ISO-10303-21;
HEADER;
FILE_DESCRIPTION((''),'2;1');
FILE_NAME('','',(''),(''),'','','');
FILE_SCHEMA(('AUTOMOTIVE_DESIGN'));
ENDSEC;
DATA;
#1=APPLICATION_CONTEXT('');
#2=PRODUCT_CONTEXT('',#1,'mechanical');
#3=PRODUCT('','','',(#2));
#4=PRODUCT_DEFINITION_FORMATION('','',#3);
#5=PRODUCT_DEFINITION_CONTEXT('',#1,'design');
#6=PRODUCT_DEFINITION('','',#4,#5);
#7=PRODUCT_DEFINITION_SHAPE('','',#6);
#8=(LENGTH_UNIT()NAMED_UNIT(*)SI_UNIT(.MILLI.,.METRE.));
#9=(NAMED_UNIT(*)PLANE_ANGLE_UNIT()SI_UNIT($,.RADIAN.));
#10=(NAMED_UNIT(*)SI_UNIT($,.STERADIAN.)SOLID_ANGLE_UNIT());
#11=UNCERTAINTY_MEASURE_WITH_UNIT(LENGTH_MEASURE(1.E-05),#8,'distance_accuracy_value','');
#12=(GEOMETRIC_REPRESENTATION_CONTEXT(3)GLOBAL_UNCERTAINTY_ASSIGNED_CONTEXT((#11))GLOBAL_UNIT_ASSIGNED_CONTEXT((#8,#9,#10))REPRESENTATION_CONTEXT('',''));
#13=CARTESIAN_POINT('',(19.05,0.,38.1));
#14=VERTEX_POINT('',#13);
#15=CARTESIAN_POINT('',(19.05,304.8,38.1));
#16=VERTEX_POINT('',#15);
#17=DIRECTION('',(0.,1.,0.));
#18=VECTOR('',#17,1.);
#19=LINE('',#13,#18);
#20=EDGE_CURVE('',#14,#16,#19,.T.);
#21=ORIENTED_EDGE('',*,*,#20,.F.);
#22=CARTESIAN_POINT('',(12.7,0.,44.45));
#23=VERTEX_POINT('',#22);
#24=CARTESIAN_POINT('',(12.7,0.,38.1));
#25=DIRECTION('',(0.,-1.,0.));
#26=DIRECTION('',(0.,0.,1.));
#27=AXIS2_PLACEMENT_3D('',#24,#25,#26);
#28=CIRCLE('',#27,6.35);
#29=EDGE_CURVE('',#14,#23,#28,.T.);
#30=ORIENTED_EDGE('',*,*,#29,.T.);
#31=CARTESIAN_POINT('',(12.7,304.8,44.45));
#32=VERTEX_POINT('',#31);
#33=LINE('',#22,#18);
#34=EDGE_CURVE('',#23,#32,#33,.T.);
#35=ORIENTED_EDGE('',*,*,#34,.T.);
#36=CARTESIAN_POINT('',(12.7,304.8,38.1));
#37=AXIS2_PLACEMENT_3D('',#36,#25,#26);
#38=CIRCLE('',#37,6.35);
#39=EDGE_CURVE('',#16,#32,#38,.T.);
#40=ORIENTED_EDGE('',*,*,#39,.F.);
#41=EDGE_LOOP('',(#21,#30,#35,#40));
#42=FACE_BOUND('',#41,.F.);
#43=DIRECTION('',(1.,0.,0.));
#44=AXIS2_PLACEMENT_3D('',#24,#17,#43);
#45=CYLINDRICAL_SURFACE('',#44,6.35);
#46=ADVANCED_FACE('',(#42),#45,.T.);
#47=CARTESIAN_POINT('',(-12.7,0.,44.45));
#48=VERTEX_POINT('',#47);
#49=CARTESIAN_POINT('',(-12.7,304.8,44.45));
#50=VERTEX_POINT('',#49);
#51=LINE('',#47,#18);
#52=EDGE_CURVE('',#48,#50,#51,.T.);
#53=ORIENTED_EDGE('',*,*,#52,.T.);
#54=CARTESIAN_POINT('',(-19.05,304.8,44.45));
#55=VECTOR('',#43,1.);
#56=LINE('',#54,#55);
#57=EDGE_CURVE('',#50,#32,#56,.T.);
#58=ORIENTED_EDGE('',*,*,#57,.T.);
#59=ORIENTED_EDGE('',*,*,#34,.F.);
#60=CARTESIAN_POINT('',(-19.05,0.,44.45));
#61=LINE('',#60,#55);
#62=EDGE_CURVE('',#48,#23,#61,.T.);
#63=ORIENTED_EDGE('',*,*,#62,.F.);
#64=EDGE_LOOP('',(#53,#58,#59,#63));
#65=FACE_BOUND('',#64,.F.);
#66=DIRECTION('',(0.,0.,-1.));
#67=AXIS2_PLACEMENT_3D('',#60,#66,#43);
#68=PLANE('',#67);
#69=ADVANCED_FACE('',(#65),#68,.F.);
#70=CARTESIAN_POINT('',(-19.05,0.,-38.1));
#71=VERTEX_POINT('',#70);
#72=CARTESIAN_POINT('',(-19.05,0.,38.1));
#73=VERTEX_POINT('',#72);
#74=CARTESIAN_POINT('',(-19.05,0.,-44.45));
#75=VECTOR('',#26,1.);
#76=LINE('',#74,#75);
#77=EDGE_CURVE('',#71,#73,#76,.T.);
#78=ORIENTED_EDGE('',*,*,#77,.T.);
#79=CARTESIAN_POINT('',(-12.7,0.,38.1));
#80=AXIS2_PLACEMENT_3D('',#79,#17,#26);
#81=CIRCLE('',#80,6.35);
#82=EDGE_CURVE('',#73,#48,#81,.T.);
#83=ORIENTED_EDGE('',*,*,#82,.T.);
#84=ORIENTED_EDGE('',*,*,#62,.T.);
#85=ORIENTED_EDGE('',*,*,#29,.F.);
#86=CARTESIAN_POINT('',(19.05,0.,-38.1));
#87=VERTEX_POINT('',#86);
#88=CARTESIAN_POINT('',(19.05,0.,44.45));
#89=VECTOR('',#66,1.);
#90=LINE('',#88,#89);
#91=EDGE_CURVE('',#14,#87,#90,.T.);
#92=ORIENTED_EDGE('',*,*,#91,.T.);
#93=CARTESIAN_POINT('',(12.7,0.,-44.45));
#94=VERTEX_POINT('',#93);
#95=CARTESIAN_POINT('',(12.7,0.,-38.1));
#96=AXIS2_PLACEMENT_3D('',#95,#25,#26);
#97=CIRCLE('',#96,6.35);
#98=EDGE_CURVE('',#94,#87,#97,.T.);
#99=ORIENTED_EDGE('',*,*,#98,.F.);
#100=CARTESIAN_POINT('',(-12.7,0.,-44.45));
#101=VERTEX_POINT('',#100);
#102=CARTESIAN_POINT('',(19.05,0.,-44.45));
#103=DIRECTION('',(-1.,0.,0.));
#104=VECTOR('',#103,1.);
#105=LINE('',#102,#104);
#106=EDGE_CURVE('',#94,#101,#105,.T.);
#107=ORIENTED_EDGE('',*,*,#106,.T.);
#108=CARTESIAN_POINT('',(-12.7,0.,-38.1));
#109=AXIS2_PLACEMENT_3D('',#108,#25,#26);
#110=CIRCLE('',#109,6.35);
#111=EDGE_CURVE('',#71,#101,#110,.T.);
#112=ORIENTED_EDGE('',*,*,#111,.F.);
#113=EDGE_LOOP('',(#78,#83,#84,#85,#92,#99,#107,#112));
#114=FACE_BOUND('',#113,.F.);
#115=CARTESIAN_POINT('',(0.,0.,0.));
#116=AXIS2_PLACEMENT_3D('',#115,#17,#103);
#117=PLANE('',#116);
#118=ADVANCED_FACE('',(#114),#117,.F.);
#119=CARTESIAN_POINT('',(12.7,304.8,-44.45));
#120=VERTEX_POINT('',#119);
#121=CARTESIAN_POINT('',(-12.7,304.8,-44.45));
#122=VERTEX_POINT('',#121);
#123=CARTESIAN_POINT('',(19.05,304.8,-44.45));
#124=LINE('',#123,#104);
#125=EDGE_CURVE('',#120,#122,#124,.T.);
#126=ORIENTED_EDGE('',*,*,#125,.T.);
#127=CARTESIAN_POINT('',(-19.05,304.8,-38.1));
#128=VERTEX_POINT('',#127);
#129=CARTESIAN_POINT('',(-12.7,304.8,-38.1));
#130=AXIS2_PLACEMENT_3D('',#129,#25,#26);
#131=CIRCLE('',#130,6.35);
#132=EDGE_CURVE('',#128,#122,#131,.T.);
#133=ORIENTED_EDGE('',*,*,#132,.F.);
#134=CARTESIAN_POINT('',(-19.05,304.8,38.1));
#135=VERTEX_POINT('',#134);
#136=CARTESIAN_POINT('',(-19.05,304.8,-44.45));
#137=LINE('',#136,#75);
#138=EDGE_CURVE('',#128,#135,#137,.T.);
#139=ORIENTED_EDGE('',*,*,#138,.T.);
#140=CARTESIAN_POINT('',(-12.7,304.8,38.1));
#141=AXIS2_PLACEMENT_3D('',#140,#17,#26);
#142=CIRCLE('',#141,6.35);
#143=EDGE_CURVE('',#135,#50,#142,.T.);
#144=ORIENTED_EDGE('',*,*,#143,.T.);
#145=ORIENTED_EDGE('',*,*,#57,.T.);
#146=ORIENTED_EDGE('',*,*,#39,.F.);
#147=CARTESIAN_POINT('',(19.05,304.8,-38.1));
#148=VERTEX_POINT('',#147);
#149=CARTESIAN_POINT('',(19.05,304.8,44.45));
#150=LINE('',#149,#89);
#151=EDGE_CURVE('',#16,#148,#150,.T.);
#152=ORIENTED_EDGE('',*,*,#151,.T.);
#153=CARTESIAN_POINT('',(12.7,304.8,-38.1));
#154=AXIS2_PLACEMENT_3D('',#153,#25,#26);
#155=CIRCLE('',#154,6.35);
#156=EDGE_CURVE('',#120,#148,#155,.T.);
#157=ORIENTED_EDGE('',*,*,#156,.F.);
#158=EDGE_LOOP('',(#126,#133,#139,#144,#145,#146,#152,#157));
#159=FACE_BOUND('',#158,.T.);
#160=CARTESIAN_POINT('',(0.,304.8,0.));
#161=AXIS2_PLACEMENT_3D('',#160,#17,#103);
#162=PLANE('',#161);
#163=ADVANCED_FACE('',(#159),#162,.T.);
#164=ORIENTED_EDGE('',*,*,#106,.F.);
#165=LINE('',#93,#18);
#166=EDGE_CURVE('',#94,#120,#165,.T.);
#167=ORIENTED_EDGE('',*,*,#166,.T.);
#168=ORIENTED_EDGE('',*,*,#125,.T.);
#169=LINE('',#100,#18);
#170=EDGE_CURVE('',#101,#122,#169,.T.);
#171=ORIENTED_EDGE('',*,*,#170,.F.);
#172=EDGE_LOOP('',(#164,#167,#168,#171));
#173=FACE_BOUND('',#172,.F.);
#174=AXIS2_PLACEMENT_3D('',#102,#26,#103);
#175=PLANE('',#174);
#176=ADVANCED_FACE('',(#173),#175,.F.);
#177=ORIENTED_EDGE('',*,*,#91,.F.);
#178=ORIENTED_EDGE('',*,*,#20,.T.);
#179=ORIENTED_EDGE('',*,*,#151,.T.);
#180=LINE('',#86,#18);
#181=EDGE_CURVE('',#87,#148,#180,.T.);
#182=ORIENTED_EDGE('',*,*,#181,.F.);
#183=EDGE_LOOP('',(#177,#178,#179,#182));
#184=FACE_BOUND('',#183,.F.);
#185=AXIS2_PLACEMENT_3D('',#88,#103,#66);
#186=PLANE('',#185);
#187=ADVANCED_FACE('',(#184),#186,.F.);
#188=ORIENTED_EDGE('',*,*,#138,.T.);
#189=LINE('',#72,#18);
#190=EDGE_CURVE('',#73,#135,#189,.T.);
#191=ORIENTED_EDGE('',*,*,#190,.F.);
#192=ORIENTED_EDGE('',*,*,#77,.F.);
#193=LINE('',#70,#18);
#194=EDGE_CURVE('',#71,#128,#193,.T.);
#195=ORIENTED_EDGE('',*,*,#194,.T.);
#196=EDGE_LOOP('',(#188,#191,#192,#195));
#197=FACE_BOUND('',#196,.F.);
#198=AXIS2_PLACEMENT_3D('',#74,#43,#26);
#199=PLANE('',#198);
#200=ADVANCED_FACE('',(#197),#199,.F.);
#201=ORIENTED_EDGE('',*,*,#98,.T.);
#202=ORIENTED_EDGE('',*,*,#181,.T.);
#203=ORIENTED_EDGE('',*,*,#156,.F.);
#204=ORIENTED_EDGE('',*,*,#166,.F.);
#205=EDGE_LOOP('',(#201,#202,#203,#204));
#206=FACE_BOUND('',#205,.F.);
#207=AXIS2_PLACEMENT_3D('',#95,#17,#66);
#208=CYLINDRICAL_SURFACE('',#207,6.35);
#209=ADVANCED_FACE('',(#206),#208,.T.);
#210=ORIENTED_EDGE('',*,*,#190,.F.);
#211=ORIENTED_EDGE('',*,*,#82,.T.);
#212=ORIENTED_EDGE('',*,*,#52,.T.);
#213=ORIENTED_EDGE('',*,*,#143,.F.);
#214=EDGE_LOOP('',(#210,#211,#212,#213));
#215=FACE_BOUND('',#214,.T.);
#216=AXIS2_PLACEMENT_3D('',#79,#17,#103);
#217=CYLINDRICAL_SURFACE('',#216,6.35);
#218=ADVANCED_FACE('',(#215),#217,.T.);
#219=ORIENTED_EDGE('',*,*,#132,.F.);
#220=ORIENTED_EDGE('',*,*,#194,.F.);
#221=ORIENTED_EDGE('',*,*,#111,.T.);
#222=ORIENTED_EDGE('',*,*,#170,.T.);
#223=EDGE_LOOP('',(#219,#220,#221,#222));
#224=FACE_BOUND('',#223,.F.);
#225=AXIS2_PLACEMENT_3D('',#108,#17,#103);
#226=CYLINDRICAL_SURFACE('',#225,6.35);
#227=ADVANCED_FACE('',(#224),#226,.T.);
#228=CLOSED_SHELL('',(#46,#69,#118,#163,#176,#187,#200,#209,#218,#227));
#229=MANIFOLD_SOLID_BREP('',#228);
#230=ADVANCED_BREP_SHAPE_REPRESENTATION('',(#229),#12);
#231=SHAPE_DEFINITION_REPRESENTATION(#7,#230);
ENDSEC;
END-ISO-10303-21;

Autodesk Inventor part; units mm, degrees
ref_plane "YZ Plane" through (0, 0, 0) normal (1, 0, 0) x (0, 1, 0)
ref_plane "XZ Plane" through (0, 0, 0) normal (0, 1, 0) x (-1, 0, 0)
ref_plane "XY Plane" through (0, 0, 0) normal (0, 0, 1) x (1, 0, 0)
sketch "Sketch1" plane through (0, 0, 0) normal (0, 1, 0) x (-1, 0, 0)
  line L0 (19.05, 44.45) -> (-19.05, 44.45)
  line L1 (-19.05, 44.45) -> (-19.05, -44.45)
  line L2 (-19.05, -44.45) -> (19.05, -44.45)
  line L3 (19.05, -44.45) -> (19.05, 44.45)
  line L4 (19.05, 44.45) -> (-19.05, -44.45) construction
  line L5 (-19.05, 44.45) -> (19.05, -44.45) construction
  point P0 (0, 0)
  dimension "d0" = 38.1
  dimension "d1" = 88.9
extrude "Extrusion1" add sketch "Sketch1" along normal blind 304.8
fillet "Fillet1" radius 6.35 4 edges at (19.05, 152.4, 44.45) (-19.05, 152.4, 44.45) (19.05, 152.4, -44.45) (-19.05, 152.4, -44.45)
properties part number "2by4mog"
